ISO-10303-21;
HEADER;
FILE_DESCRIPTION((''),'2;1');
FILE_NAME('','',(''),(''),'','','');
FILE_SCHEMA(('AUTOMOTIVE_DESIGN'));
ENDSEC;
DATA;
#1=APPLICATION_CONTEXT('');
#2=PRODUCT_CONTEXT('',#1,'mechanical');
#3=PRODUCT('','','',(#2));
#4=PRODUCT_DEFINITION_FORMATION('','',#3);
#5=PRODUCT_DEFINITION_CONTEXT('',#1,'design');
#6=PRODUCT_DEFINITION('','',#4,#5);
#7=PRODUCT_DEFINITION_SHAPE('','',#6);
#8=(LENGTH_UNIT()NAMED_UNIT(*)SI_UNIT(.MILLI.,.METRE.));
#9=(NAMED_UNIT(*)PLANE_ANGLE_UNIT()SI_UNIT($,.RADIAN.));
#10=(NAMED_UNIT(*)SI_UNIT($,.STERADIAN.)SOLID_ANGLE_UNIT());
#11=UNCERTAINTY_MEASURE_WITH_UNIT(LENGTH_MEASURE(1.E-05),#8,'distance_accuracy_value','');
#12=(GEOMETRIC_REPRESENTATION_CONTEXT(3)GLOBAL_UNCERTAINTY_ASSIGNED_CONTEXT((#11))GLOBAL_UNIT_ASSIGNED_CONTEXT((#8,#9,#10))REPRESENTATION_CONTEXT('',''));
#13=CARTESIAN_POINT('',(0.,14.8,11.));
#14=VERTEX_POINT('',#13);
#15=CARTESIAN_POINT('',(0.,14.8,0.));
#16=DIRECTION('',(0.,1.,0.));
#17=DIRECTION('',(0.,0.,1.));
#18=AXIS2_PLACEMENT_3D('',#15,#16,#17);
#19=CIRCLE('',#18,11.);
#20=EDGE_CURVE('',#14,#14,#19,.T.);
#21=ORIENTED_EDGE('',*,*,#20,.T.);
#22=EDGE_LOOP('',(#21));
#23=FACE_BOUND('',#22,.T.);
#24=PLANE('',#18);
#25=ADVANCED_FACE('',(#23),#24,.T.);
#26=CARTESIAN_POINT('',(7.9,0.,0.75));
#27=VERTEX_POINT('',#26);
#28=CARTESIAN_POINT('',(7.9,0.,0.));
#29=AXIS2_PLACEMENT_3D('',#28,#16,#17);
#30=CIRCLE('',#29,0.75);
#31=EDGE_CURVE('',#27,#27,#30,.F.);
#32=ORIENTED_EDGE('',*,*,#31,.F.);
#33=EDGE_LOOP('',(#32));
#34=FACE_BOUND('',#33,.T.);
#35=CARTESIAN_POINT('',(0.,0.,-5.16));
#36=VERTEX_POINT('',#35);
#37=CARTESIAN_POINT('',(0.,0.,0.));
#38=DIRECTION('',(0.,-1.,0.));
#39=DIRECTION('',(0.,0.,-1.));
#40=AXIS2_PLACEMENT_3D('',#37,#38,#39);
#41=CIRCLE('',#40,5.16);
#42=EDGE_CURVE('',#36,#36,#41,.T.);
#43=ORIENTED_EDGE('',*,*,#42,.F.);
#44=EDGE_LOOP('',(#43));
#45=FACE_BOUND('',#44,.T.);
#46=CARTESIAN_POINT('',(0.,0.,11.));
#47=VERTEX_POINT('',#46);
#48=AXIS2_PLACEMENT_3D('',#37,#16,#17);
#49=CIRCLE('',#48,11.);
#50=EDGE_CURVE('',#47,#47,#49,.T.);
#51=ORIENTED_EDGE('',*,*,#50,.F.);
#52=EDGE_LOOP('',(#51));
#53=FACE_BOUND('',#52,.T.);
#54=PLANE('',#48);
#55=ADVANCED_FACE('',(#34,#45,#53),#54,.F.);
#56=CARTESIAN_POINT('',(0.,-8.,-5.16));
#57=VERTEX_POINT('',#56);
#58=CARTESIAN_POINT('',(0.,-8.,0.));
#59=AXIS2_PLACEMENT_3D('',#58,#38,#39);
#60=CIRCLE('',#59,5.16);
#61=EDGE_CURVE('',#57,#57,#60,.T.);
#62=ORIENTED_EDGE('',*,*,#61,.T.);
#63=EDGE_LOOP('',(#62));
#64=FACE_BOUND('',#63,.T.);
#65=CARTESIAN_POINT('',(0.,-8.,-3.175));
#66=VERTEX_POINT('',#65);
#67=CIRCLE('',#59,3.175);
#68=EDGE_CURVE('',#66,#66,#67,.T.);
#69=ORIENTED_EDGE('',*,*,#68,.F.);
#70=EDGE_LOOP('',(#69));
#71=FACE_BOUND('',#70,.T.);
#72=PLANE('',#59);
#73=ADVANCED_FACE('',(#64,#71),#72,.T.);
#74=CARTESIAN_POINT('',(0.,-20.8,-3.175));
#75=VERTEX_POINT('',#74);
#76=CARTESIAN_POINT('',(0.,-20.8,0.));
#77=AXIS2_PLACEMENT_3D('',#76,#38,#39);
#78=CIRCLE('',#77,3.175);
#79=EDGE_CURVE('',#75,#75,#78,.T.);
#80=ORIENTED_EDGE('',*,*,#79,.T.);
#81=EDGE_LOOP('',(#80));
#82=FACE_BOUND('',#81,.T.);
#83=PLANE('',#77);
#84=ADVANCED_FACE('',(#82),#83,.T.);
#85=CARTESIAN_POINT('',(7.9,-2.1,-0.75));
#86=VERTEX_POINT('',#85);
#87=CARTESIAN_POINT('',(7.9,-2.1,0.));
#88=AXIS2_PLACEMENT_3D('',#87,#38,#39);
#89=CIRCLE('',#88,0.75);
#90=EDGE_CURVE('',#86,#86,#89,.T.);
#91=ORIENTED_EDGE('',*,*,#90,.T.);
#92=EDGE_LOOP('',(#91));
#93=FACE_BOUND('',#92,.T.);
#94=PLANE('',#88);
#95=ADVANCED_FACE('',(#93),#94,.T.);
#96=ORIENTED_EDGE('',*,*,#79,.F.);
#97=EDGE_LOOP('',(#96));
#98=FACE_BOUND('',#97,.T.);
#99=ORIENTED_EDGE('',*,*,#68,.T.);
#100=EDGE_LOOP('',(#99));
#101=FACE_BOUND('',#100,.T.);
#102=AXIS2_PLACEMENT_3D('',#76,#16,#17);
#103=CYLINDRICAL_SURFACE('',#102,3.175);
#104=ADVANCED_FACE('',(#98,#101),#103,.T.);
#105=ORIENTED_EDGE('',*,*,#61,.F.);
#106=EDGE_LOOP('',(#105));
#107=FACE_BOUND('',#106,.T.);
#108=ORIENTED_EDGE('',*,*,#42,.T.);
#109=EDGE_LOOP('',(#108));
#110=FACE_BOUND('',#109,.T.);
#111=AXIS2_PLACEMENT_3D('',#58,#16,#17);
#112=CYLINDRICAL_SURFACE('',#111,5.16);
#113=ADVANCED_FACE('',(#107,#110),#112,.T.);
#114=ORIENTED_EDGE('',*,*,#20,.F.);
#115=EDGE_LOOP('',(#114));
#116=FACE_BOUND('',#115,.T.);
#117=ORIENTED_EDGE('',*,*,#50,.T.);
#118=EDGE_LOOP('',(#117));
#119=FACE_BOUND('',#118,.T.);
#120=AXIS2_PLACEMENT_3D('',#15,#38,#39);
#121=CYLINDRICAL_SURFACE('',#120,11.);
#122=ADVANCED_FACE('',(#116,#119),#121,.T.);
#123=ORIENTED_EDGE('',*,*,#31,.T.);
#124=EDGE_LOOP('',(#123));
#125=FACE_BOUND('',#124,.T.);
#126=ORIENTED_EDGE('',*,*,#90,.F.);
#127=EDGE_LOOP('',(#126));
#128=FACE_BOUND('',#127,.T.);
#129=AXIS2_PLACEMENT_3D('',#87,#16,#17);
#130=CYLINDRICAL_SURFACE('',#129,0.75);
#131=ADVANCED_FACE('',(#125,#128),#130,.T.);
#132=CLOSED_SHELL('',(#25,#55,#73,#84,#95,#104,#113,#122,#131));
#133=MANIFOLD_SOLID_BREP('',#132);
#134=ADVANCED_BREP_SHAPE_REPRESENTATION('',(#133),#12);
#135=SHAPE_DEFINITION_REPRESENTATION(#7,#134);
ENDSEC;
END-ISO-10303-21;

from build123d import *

# Parameters (mm, degrees)
SKETCH1_R           = 11
BOSS_EXTRUDE1_DEPTH = 14.8
SKETCH2_R           = 5.16
BOSS_EXTRUDE2_DEPTH = 8
SKETCH3_R           = 3.175
BOSS_EXTRUDE3_DEPTH = 12.8
SKETCH4_R           = 0.75
BOSS_EXTRUDE4_DEPTH = 2.1


with BuildPart() as part:
    # Sketch1 → Boss-Extrude1 (new body)
    with BuildSketch(Plane(origin=(0, 0, 0), x_dir=(1, 0, 0), z_dir=(0, 1, 0))):
        Circle(SKETCH1_R)
    extrude(amount=BOSS_EXTRUDE1_DEPTH)

    # Sketch2 → Boss-Extrude2 (add)
    with BuildSketch(Plane.XZ):
        Circle(SKETCH2_R)
    extrude(amount=BOSS_EXTRUDE2_DEPTH)

    # Sketch3 → Boss-Extrude3 (add)
    with BuildSketch(Plane(origin=(0, -8, 0), x_dir=(-1, 0, 0), z_dir=(0, -1, 0))):
        Circle(SKETCH3_R)
    extrude(amount=BOSS_EXTRUDE3_DEPTH)

    # Sketch4 → Boss-Extrude4 (add)
    with BuildSketch(Plane.XZ):
        with Locations((7.9, 0)):
            Circle(SKETCH4_R)
    extrude(amount=BOSS_EXTRUDE4_DEPTH)


solid = part.part
